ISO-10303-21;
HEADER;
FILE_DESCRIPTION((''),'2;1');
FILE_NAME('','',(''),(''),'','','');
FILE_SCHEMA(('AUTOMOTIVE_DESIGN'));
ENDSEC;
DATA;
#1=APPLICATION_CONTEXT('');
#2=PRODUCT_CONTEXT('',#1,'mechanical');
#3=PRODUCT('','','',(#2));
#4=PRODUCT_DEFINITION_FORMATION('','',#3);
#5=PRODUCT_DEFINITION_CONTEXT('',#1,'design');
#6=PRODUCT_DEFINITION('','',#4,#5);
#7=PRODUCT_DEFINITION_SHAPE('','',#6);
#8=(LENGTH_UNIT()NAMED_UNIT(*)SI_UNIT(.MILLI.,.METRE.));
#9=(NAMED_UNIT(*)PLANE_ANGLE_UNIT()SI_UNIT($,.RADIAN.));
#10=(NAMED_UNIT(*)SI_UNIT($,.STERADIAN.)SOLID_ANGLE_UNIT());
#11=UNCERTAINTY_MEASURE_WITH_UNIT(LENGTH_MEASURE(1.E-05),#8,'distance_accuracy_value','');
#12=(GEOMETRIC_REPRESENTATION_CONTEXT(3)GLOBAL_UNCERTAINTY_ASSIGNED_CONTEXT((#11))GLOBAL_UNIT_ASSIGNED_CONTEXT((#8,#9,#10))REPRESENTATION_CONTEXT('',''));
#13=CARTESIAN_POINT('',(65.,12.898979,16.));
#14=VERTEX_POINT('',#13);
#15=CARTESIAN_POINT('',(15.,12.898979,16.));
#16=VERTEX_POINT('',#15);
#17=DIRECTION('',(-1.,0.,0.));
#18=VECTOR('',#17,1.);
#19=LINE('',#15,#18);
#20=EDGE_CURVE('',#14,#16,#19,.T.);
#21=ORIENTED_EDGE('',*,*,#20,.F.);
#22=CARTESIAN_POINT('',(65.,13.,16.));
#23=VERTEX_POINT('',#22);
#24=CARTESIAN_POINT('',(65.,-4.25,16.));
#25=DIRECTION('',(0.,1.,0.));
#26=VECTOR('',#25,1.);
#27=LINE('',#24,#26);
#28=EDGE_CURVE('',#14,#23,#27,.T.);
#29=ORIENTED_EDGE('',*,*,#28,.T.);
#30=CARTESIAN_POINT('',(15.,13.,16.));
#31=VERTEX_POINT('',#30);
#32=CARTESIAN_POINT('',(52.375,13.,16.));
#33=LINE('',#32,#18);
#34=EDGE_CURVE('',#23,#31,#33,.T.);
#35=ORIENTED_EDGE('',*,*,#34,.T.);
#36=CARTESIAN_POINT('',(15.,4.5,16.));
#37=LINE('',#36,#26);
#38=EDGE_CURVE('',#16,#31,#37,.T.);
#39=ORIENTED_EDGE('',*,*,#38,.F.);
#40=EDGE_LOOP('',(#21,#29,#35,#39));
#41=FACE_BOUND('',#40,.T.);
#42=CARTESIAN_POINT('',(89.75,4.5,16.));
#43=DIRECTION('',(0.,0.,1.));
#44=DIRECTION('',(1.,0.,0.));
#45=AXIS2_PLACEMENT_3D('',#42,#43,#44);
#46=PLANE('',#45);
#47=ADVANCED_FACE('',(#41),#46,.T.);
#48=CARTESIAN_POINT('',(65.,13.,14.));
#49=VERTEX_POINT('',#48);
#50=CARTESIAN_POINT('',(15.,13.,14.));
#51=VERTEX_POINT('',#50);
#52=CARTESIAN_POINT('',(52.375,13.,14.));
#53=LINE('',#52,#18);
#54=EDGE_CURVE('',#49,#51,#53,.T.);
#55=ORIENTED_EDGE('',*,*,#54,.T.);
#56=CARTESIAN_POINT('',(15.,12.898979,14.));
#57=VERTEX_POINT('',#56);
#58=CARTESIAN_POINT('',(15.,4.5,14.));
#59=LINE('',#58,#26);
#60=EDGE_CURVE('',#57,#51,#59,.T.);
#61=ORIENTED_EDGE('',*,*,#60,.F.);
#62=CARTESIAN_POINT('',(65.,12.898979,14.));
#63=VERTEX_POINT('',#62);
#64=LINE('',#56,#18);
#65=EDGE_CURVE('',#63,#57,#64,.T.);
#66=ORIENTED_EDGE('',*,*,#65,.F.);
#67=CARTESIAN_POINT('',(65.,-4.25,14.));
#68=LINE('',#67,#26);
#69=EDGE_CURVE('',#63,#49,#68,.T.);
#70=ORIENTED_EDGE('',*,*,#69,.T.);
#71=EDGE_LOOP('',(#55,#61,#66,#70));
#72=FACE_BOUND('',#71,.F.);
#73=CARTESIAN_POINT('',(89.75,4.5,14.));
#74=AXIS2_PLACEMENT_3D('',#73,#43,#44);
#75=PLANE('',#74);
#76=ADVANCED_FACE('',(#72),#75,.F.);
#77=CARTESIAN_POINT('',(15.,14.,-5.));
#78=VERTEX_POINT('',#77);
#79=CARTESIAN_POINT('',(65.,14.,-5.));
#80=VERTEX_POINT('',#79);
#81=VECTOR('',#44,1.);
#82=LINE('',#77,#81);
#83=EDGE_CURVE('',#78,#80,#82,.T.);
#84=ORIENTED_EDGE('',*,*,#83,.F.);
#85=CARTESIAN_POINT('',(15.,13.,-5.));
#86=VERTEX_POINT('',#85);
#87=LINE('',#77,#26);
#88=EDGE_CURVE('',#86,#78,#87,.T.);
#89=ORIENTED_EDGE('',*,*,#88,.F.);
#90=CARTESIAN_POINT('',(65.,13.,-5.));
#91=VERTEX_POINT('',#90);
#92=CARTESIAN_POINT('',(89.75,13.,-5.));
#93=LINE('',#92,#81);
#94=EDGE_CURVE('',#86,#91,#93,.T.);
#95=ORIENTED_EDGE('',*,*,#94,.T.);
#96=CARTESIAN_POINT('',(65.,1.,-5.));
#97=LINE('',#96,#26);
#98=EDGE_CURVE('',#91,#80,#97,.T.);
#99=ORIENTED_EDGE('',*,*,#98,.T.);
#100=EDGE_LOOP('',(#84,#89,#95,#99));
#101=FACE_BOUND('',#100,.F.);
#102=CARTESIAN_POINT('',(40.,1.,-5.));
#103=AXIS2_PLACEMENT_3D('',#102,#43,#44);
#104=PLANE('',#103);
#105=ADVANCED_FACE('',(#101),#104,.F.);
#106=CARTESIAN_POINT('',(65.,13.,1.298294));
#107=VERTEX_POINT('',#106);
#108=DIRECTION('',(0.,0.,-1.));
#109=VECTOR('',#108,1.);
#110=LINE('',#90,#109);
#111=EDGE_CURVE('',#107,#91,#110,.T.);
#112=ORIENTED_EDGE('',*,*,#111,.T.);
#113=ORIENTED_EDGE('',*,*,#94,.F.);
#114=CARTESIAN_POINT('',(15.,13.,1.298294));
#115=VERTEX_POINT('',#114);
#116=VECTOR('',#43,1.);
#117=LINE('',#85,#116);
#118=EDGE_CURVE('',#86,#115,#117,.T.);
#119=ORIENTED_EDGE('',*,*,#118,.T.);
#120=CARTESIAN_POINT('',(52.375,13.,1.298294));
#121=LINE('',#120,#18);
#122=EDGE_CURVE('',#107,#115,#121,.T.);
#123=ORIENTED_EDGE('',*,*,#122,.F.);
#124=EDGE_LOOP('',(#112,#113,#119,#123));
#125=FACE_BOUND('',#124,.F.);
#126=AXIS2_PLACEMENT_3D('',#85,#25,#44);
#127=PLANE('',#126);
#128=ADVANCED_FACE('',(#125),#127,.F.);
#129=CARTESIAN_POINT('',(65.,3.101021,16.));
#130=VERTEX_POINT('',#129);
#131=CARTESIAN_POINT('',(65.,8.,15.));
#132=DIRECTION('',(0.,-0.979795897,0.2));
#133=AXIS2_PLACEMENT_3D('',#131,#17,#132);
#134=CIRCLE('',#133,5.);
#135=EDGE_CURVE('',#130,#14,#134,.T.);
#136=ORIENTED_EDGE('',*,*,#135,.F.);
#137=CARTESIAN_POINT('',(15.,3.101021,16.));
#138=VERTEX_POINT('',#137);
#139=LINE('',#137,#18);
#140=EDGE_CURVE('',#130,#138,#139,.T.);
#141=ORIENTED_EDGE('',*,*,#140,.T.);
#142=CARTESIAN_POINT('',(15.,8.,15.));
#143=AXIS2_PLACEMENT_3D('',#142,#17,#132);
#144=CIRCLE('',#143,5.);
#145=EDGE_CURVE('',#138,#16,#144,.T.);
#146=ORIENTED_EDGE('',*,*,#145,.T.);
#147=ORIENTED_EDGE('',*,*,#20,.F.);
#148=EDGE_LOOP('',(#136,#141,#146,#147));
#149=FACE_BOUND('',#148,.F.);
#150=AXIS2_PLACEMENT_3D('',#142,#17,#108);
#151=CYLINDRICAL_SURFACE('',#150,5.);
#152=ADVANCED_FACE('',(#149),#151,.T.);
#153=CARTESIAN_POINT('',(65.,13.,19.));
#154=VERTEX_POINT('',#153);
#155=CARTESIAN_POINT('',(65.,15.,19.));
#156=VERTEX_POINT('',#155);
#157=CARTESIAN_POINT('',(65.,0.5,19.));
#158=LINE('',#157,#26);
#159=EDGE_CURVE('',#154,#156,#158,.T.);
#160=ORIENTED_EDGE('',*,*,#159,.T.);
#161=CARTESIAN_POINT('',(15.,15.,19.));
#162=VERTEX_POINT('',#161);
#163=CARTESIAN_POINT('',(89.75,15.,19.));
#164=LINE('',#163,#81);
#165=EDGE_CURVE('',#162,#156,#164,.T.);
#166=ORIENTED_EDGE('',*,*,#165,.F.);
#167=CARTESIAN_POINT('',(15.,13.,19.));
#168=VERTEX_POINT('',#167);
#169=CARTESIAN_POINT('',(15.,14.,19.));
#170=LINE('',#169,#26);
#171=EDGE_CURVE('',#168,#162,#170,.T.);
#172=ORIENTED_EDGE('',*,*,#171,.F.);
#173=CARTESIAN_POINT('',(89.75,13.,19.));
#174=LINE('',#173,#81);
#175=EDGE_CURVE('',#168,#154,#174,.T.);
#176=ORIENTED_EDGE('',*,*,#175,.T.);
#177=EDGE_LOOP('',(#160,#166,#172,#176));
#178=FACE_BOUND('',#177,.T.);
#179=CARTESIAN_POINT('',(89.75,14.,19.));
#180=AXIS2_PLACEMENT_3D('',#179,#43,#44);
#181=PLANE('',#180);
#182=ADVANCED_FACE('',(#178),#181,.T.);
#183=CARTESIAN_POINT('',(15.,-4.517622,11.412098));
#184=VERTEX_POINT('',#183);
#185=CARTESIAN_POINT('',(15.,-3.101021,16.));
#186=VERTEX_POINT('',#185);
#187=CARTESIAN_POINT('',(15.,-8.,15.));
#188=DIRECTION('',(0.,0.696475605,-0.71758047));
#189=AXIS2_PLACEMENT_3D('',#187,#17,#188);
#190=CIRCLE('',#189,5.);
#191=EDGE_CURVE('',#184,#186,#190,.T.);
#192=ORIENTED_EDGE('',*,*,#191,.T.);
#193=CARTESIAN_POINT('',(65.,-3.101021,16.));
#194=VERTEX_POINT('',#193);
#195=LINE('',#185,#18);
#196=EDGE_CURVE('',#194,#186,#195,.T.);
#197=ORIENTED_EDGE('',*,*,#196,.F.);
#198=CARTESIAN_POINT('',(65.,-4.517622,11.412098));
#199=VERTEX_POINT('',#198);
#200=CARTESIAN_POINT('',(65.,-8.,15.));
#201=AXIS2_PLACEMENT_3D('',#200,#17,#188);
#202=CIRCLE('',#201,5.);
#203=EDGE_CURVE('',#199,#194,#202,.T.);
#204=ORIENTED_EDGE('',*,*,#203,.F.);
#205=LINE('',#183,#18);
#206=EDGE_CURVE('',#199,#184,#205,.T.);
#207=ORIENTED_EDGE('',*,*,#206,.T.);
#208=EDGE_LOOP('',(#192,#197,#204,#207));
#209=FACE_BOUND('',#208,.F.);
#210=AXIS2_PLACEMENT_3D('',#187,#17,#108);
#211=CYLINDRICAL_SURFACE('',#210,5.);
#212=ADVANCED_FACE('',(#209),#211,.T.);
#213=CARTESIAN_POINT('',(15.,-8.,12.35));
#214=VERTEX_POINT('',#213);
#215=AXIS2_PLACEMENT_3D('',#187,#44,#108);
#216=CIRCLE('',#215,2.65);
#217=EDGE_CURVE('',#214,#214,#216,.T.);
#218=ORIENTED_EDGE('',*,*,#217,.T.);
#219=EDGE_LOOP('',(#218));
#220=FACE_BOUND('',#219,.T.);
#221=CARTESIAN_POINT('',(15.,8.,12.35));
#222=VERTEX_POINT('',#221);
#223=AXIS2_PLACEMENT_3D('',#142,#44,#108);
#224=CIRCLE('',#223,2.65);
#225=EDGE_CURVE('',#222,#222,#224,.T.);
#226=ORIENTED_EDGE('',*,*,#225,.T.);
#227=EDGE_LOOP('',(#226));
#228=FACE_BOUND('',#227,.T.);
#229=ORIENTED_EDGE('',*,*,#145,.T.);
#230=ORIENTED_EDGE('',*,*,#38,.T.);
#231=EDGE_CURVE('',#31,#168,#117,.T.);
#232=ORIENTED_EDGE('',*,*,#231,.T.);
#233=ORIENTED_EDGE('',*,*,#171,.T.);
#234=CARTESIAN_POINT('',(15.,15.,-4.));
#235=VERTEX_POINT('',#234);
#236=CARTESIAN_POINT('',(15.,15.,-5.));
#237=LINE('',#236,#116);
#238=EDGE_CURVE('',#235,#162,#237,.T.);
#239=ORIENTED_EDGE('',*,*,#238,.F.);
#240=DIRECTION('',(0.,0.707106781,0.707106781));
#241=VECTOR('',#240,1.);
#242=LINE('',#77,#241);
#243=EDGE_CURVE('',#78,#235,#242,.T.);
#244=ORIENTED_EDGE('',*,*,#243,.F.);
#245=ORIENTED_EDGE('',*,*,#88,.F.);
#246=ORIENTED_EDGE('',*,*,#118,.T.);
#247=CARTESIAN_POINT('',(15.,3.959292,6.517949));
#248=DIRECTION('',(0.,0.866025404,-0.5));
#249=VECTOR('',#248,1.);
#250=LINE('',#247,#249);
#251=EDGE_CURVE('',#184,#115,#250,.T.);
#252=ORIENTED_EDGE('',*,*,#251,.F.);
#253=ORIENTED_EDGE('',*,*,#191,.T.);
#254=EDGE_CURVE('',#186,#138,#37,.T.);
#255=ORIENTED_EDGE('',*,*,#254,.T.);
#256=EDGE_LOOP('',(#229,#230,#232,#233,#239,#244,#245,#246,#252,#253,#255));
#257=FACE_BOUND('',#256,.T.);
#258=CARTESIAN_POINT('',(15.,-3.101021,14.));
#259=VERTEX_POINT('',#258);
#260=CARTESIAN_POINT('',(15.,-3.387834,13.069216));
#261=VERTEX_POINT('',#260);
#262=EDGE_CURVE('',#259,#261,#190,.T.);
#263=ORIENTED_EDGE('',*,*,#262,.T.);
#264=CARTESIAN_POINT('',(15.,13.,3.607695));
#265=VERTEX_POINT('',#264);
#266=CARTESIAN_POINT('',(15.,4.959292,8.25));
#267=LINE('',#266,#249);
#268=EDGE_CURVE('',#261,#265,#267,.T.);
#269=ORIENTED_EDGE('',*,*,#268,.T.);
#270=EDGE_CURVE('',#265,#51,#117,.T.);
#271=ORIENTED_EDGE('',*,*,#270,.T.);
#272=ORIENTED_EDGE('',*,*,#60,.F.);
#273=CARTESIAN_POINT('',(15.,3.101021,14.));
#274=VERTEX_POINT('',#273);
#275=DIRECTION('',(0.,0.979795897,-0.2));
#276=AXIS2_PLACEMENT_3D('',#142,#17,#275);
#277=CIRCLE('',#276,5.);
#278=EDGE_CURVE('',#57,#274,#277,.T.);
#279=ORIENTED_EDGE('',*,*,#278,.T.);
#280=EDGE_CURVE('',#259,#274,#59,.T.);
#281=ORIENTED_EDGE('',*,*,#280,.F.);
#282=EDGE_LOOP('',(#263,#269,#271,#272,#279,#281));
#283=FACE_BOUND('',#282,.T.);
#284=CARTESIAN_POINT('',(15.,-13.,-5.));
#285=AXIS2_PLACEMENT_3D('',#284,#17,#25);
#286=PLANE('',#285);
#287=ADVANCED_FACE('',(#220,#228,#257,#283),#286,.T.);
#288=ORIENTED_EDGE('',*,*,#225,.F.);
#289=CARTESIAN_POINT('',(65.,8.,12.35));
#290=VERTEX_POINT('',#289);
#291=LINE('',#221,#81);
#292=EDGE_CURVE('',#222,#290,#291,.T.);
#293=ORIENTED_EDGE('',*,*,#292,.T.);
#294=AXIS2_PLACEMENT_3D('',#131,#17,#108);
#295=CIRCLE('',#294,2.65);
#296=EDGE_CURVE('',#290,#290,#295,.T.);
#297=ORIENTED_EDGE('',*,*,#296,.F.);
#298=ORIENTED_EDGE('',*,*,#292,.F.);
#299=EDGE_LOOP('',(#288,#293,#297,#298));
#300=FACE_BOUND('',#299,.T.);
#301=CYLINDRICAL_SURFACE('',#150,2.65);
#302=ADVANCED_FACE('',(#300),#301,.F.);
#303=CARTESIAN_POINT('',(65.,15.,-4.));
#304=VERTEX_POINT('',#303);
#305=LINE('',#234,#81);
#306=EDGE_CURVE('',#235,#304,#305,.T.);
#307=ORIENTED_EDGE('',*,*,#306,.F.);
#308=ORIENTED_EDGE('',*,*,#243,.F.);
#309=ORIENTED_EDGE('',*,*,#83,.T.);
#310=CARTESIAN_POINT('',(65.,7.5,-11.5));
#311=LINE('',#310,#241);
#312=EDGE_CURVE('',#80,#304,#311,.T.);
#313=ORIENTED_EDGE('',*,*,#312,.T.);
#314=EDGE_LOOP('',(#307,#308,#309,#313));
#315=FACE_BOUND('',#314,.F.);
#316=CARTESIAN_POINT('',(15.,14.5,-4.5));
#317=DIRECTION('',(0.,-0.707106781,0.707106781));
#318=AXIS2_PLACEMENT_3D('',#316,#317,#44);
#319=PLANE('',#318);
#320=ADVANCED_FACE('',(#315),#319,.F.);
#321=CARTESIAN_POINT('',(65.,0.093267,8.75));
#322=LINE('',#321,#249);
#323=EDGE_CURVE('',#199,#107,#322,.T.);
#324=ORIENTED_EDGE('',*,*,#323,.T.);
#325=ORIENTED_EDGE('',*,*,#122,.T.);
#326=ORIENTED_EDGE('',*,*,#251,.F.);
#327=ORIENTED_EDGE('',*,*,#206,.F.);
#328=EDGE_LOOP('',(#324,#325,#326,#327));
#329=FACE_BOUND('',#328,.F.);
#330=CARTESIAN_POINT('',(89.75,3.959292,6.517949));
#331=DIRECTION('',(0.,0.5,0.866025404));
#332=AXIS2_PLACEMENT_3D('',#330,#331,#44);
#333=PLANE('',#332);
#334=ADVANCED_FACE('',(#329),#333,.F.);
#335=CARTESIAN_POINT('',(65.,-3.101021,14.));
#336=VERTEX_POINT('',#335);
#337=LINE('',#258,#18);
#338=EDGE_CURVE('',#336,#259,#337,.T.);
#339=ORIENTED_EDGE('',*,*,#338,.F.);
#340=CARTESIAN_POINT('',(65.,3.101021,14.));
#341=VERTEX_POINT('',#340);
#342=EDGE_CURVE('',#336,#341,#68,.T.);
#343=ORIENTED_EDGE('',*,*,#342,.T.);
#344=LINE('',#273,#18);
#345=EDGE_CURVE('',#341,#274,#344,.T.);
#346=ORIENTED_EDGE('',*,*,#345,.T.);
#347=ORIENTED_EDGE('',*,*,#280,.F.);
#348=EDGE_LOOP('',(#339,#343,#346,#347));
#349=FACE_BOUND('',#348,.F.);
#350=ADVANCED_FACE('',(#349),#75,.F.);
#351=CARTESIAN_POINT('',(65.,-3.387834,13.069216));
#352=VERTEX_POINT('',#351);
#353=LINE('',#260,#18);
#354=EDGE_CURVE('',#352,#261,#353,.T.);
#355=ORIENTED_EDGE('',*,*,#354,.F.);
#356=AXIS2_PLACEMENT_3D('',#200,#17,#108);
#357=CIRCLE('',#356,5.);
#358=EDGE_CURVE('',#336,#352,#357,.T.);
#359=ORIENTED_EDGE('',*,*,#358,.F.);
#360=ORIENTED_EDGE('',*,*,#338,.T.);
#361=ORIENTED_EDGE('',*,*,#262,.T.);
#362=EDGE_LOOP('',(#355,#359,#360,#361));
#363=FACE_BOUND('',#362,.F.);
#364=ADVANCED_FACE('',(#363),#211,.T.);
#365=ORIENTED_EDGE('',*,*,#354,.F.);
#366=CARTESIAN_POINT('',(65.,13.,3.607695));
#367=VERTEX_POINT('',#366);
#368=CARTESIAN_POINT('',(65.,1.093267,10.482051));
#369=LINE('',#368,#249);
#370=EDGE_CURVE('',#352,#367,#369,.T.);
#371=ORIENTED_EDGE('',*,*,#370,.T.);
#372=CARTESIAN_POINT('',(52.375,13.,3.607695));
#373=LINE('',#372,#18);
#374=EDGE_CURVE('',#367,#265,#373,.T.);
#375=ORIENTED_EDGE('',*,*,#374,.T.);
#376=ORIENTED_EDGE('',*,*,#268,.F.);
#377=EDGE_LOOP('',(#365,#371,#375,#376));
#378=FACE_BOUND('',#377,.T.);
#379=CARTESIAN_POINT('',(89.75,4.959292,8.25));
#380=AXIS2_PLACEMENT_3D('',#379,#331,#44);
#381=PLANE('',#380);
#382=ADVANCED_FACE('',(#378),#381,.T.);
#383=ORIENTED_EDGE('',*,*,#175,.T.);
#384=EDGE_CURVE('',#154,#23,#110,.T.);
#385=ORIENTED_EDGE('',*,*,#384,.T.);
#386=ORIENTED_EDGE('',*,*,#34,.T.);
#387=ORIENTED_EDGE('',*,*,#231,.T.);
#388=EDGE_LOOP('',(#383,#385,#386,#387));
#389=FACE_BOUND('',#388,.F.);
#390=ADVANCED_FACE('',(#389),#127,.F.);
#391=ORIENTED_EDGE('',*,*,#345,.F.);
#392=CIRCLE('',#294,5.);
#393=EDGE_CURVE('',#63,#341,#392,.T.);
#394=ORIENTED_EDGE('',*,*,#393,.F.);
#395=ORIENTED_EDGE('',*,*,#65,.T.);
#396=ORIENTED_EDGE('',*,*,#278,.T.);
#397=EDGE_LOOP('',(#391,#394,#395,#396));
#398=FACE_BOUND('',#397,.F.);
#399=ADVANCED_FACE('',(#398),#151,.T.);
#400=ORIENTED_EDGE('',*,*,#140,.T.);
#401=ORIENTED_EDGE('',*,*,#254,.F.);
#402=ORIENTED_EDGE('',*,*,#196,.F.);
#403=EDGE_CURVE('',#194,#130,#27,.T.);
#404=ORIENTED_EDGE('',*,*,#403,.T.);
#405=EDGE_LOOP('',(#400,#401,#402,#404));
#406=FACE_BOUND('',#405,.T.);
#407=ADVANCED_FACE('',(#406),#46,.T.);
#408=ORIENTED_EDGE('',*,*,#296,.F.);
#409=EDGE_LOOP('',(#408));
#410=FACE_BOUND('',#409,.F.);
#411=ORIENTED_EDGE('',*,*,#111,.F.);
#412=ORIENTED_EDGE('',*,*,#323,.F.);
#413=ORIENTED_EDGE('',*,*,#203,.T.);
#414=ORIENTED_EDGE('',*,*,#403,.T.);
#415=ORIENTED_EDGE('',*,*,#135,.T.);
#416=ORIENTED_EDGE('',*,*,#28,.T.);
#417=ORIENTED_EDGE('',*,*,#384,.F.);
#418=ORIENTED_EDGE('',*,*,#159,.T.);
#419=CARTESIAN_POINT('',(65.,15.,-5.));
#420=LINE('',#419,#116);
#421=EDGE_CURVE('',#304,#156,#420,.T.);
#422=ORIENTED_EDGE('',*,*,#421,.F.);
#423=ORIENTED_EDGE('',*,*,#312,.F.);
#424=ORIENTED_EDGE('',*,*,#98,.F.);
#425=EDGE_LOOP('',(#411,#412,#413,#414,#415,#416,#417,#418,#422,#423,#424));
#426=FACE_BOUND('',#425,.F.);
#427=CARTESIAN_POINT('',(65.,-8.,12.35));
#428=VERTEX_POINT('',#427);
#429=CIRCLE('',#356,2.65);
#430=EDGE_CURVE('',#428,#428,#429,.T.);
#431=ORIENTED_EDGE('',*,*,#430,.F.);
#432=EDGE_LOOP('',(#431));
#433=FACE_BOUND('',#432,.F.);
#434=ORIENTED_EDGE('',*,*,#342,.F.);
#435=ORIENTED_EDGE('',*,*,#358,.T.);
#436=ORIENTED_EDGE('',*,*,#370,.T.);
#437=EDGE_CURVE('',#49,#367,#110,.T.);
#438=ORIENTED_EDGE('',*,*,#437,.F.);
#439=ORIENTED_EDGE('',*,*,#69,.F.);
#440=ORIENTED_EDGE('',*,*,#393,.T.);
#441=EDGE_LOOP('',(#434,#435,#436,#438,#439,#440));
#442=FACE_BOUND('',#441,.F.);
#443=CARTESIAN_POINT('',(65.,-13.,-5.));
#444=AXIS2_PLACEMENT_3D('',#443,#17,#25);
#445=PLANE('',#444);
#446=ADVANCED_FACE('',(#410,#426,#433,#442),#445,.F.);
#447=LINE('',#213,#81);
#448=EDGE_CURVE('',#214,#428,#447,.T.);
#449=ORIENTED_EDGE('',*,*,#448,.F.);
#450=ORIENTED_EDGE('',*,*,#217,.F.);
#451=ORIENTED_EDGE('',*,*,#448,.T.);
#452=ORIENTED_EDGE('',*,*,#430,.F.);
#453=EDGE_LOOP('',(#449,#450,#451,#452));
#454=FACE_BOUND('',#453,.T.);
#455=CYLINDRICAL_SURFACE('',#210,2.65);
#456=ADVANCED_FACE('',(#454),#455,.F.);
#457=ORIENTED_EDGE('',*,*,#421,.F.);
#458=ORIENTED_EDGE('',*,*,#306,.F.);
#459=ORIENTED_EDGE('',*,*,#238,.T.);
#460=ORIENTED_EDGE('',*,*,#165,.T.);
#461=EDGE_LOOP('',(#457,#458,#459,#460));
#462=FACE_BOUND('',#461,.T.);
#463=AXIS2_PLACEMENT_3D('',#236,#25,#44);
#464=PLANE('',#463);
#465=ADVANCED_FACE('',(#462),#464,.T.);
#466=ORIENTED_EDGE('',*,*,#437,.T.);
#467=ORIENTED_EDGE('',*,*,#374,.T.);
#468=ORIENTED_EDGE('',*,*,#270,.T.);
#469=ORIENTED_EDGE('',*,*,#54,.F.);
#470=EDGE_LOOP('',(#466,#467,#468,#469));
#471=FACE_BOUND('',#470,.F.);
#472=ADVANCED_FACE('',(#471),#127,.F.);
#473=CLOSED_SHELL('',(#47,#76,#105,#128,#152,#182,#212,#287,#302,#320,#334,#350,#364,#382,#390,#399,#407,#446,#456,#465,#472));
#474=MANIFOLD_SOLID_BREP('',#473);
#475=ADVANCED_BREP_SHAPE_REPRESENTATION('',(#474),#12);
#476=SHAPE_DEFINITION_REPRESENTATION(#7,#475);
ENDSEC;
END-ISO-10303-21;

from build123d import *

# Parameters (mm, degrees)
CYLINDER039_R          = 2.65
CYLINDER039_DEPTH      = 149.5
CYLINDER040_R          = 2.65
CYLINDER040_DEPTH      = 149.5
CYLINDER041_R          = 5
CYLINDER041_DEPTH      = 149.5
BOX038_W               = 149.5
BOX038_H               = 23
BOX038_DEPTH           = 2
BOX038_PLACEMENT_ANGLE = 30
BOX037_W               = 149.5
BOX037_H               = 19
BOX037_DEPTH           = 2
BOX036_W               = 149.5
BOX036_H               = 2
BOX036_DEPTH           = 24
CYLINDER042_R          = 5
CYLINDER042_DEPTH      = 149.5
CHAMFER006036_SIZE     = 1
BOX079_W               = 50
BOX079_H               = 28
BOX079_DEPTH           = 25


with BuildPart() as cylinder039:
    # Cylinder039 → Cylinder039 (new body)
    with BuildSketch(Plane(origin=(15, 8, 15), x_dir=(0, 0, -1), z_dir=(1, 0, 0))):
        Circle(CYLINDER039_R)
    extrude(amount=CYLINDER039_DEPTH)


with BuildPart() as fusion020006007003002009018004004015:
    # Cylinder040 → Cylinder040 (new body)
    with BuildSketch(Plane(origin=(15, -8, 15), x_dir=(0, 0, -1), z_dir=(1, 0, 0))):
        Circle(CYLINDER040_R)
    extrude(amount=CYLINDER040_DEPTH)

    # Fusion020006007003002009018004004015: union Cylinder039
    add(cylinder039.part)


with BuildPart() as cylinder041:
    # Cylinder041 → Cylinder041 (new body)
    with BuildSketch(Plane(origin=(15, -8, 15), x_dir=(0, 0, -1), z_dir=(1, 0, 0))):
        Circle(CYLINDER041_R)
    extrude(amount=CYLINDER041_DEPTH)


with BuildPart() as cube038:
    # Box038 → Box038 (new body)
    with BuildSketch(Plane.XY):
        with Locations((74.75, 11.5)):
            Rectangle(BOX038_W, BOX038_H)
    extrude(amount=BOX038_DEPTH)


with BuildPart() as cube038_1:
    # Box038 placement: moved
    add(cube038.part.moved(Location((15, -6, 12.267949))).rotate(Axis((15, -6, 12.267949), (-1, 0, 0)), BOX038_PLACEMENT_ANGLE))


with BuildPart() as cube037:
    # Box037 → Box037 (new body)
    with BuildSketch(Plane(origin=(15, -5, 14), x_dir=(1, 0, 0), z_dir=(0, 0, 1))):
        with Locations((74.75, 9.5)):
            Rectangle(BOX037_W, BOX037_H)
    extrude(amount=BOX037_DEPTH)


with BuildPart() as cube036:
    # Box036 → Box036 (new body)
    with BuildSketch(Plane(origin=(15, 13, -5), x_dir=(1, 0, 0), z_dir=(0, 0, 1))):
        with Locations((74.75, 1)):
            Rectangle(BOX036_W, BOX036_H)
    extrude(amount=BOX036_DEPTH)


with BuildPart() as bottom_back_150mm_wall:
    # Cylinder042 → Cylinder042 (new body)
    with BuildSketch(Plane(origin=(15, 8, 15), x_dir=(0, 0, -1), z_dir=(1, 0, 0))):
        Circle(CYLINDER042_R)
    extrude(amount=CYLINDER042_DEPTH)

    # Fusion020006007003002009018004004014: union Cylinder041, Cube038, Cube037, Cube036
    add(cylinder041.part)
    add(cube038_1.part)
    add(cube037.part)
    add(cube036.part)

    # Chamfer006036
    chamfer006036_edges = [bottom_back_150mm_wall.edges().sort_by_distance(p)[0] for p in [
        (89.75, 15, -5),
    ]]
    chamfer(chamfer006036_edges, length=CHAMFER006036_SIZE)

    # Cut019003006: cut Fusion020006007003002009018004004015
    add(fusion020006007003002009018004004015.part, mode=Mode.SUBTRACT)


with BuildPart() as bottom_back_50mm_wall:
    # Box079 → Box079 (new body)
    with BuildSketch(Plane(origin=(15, -13, -5), x_dir=(1, 0, 0), z_dir=(0, 0, 1))):
        with Locations((25, 14)):
            Rectangle(BOX079_W, BOX079_H)
    extrude(amount=BOX079_DEPTH)

    # Common002: intersect bottom-back-150mm-wall
    add(bottom_back_150mm_wall.part, mode=Mode.INTERSECT)


solid = bottom_back_50mm_wall.part
